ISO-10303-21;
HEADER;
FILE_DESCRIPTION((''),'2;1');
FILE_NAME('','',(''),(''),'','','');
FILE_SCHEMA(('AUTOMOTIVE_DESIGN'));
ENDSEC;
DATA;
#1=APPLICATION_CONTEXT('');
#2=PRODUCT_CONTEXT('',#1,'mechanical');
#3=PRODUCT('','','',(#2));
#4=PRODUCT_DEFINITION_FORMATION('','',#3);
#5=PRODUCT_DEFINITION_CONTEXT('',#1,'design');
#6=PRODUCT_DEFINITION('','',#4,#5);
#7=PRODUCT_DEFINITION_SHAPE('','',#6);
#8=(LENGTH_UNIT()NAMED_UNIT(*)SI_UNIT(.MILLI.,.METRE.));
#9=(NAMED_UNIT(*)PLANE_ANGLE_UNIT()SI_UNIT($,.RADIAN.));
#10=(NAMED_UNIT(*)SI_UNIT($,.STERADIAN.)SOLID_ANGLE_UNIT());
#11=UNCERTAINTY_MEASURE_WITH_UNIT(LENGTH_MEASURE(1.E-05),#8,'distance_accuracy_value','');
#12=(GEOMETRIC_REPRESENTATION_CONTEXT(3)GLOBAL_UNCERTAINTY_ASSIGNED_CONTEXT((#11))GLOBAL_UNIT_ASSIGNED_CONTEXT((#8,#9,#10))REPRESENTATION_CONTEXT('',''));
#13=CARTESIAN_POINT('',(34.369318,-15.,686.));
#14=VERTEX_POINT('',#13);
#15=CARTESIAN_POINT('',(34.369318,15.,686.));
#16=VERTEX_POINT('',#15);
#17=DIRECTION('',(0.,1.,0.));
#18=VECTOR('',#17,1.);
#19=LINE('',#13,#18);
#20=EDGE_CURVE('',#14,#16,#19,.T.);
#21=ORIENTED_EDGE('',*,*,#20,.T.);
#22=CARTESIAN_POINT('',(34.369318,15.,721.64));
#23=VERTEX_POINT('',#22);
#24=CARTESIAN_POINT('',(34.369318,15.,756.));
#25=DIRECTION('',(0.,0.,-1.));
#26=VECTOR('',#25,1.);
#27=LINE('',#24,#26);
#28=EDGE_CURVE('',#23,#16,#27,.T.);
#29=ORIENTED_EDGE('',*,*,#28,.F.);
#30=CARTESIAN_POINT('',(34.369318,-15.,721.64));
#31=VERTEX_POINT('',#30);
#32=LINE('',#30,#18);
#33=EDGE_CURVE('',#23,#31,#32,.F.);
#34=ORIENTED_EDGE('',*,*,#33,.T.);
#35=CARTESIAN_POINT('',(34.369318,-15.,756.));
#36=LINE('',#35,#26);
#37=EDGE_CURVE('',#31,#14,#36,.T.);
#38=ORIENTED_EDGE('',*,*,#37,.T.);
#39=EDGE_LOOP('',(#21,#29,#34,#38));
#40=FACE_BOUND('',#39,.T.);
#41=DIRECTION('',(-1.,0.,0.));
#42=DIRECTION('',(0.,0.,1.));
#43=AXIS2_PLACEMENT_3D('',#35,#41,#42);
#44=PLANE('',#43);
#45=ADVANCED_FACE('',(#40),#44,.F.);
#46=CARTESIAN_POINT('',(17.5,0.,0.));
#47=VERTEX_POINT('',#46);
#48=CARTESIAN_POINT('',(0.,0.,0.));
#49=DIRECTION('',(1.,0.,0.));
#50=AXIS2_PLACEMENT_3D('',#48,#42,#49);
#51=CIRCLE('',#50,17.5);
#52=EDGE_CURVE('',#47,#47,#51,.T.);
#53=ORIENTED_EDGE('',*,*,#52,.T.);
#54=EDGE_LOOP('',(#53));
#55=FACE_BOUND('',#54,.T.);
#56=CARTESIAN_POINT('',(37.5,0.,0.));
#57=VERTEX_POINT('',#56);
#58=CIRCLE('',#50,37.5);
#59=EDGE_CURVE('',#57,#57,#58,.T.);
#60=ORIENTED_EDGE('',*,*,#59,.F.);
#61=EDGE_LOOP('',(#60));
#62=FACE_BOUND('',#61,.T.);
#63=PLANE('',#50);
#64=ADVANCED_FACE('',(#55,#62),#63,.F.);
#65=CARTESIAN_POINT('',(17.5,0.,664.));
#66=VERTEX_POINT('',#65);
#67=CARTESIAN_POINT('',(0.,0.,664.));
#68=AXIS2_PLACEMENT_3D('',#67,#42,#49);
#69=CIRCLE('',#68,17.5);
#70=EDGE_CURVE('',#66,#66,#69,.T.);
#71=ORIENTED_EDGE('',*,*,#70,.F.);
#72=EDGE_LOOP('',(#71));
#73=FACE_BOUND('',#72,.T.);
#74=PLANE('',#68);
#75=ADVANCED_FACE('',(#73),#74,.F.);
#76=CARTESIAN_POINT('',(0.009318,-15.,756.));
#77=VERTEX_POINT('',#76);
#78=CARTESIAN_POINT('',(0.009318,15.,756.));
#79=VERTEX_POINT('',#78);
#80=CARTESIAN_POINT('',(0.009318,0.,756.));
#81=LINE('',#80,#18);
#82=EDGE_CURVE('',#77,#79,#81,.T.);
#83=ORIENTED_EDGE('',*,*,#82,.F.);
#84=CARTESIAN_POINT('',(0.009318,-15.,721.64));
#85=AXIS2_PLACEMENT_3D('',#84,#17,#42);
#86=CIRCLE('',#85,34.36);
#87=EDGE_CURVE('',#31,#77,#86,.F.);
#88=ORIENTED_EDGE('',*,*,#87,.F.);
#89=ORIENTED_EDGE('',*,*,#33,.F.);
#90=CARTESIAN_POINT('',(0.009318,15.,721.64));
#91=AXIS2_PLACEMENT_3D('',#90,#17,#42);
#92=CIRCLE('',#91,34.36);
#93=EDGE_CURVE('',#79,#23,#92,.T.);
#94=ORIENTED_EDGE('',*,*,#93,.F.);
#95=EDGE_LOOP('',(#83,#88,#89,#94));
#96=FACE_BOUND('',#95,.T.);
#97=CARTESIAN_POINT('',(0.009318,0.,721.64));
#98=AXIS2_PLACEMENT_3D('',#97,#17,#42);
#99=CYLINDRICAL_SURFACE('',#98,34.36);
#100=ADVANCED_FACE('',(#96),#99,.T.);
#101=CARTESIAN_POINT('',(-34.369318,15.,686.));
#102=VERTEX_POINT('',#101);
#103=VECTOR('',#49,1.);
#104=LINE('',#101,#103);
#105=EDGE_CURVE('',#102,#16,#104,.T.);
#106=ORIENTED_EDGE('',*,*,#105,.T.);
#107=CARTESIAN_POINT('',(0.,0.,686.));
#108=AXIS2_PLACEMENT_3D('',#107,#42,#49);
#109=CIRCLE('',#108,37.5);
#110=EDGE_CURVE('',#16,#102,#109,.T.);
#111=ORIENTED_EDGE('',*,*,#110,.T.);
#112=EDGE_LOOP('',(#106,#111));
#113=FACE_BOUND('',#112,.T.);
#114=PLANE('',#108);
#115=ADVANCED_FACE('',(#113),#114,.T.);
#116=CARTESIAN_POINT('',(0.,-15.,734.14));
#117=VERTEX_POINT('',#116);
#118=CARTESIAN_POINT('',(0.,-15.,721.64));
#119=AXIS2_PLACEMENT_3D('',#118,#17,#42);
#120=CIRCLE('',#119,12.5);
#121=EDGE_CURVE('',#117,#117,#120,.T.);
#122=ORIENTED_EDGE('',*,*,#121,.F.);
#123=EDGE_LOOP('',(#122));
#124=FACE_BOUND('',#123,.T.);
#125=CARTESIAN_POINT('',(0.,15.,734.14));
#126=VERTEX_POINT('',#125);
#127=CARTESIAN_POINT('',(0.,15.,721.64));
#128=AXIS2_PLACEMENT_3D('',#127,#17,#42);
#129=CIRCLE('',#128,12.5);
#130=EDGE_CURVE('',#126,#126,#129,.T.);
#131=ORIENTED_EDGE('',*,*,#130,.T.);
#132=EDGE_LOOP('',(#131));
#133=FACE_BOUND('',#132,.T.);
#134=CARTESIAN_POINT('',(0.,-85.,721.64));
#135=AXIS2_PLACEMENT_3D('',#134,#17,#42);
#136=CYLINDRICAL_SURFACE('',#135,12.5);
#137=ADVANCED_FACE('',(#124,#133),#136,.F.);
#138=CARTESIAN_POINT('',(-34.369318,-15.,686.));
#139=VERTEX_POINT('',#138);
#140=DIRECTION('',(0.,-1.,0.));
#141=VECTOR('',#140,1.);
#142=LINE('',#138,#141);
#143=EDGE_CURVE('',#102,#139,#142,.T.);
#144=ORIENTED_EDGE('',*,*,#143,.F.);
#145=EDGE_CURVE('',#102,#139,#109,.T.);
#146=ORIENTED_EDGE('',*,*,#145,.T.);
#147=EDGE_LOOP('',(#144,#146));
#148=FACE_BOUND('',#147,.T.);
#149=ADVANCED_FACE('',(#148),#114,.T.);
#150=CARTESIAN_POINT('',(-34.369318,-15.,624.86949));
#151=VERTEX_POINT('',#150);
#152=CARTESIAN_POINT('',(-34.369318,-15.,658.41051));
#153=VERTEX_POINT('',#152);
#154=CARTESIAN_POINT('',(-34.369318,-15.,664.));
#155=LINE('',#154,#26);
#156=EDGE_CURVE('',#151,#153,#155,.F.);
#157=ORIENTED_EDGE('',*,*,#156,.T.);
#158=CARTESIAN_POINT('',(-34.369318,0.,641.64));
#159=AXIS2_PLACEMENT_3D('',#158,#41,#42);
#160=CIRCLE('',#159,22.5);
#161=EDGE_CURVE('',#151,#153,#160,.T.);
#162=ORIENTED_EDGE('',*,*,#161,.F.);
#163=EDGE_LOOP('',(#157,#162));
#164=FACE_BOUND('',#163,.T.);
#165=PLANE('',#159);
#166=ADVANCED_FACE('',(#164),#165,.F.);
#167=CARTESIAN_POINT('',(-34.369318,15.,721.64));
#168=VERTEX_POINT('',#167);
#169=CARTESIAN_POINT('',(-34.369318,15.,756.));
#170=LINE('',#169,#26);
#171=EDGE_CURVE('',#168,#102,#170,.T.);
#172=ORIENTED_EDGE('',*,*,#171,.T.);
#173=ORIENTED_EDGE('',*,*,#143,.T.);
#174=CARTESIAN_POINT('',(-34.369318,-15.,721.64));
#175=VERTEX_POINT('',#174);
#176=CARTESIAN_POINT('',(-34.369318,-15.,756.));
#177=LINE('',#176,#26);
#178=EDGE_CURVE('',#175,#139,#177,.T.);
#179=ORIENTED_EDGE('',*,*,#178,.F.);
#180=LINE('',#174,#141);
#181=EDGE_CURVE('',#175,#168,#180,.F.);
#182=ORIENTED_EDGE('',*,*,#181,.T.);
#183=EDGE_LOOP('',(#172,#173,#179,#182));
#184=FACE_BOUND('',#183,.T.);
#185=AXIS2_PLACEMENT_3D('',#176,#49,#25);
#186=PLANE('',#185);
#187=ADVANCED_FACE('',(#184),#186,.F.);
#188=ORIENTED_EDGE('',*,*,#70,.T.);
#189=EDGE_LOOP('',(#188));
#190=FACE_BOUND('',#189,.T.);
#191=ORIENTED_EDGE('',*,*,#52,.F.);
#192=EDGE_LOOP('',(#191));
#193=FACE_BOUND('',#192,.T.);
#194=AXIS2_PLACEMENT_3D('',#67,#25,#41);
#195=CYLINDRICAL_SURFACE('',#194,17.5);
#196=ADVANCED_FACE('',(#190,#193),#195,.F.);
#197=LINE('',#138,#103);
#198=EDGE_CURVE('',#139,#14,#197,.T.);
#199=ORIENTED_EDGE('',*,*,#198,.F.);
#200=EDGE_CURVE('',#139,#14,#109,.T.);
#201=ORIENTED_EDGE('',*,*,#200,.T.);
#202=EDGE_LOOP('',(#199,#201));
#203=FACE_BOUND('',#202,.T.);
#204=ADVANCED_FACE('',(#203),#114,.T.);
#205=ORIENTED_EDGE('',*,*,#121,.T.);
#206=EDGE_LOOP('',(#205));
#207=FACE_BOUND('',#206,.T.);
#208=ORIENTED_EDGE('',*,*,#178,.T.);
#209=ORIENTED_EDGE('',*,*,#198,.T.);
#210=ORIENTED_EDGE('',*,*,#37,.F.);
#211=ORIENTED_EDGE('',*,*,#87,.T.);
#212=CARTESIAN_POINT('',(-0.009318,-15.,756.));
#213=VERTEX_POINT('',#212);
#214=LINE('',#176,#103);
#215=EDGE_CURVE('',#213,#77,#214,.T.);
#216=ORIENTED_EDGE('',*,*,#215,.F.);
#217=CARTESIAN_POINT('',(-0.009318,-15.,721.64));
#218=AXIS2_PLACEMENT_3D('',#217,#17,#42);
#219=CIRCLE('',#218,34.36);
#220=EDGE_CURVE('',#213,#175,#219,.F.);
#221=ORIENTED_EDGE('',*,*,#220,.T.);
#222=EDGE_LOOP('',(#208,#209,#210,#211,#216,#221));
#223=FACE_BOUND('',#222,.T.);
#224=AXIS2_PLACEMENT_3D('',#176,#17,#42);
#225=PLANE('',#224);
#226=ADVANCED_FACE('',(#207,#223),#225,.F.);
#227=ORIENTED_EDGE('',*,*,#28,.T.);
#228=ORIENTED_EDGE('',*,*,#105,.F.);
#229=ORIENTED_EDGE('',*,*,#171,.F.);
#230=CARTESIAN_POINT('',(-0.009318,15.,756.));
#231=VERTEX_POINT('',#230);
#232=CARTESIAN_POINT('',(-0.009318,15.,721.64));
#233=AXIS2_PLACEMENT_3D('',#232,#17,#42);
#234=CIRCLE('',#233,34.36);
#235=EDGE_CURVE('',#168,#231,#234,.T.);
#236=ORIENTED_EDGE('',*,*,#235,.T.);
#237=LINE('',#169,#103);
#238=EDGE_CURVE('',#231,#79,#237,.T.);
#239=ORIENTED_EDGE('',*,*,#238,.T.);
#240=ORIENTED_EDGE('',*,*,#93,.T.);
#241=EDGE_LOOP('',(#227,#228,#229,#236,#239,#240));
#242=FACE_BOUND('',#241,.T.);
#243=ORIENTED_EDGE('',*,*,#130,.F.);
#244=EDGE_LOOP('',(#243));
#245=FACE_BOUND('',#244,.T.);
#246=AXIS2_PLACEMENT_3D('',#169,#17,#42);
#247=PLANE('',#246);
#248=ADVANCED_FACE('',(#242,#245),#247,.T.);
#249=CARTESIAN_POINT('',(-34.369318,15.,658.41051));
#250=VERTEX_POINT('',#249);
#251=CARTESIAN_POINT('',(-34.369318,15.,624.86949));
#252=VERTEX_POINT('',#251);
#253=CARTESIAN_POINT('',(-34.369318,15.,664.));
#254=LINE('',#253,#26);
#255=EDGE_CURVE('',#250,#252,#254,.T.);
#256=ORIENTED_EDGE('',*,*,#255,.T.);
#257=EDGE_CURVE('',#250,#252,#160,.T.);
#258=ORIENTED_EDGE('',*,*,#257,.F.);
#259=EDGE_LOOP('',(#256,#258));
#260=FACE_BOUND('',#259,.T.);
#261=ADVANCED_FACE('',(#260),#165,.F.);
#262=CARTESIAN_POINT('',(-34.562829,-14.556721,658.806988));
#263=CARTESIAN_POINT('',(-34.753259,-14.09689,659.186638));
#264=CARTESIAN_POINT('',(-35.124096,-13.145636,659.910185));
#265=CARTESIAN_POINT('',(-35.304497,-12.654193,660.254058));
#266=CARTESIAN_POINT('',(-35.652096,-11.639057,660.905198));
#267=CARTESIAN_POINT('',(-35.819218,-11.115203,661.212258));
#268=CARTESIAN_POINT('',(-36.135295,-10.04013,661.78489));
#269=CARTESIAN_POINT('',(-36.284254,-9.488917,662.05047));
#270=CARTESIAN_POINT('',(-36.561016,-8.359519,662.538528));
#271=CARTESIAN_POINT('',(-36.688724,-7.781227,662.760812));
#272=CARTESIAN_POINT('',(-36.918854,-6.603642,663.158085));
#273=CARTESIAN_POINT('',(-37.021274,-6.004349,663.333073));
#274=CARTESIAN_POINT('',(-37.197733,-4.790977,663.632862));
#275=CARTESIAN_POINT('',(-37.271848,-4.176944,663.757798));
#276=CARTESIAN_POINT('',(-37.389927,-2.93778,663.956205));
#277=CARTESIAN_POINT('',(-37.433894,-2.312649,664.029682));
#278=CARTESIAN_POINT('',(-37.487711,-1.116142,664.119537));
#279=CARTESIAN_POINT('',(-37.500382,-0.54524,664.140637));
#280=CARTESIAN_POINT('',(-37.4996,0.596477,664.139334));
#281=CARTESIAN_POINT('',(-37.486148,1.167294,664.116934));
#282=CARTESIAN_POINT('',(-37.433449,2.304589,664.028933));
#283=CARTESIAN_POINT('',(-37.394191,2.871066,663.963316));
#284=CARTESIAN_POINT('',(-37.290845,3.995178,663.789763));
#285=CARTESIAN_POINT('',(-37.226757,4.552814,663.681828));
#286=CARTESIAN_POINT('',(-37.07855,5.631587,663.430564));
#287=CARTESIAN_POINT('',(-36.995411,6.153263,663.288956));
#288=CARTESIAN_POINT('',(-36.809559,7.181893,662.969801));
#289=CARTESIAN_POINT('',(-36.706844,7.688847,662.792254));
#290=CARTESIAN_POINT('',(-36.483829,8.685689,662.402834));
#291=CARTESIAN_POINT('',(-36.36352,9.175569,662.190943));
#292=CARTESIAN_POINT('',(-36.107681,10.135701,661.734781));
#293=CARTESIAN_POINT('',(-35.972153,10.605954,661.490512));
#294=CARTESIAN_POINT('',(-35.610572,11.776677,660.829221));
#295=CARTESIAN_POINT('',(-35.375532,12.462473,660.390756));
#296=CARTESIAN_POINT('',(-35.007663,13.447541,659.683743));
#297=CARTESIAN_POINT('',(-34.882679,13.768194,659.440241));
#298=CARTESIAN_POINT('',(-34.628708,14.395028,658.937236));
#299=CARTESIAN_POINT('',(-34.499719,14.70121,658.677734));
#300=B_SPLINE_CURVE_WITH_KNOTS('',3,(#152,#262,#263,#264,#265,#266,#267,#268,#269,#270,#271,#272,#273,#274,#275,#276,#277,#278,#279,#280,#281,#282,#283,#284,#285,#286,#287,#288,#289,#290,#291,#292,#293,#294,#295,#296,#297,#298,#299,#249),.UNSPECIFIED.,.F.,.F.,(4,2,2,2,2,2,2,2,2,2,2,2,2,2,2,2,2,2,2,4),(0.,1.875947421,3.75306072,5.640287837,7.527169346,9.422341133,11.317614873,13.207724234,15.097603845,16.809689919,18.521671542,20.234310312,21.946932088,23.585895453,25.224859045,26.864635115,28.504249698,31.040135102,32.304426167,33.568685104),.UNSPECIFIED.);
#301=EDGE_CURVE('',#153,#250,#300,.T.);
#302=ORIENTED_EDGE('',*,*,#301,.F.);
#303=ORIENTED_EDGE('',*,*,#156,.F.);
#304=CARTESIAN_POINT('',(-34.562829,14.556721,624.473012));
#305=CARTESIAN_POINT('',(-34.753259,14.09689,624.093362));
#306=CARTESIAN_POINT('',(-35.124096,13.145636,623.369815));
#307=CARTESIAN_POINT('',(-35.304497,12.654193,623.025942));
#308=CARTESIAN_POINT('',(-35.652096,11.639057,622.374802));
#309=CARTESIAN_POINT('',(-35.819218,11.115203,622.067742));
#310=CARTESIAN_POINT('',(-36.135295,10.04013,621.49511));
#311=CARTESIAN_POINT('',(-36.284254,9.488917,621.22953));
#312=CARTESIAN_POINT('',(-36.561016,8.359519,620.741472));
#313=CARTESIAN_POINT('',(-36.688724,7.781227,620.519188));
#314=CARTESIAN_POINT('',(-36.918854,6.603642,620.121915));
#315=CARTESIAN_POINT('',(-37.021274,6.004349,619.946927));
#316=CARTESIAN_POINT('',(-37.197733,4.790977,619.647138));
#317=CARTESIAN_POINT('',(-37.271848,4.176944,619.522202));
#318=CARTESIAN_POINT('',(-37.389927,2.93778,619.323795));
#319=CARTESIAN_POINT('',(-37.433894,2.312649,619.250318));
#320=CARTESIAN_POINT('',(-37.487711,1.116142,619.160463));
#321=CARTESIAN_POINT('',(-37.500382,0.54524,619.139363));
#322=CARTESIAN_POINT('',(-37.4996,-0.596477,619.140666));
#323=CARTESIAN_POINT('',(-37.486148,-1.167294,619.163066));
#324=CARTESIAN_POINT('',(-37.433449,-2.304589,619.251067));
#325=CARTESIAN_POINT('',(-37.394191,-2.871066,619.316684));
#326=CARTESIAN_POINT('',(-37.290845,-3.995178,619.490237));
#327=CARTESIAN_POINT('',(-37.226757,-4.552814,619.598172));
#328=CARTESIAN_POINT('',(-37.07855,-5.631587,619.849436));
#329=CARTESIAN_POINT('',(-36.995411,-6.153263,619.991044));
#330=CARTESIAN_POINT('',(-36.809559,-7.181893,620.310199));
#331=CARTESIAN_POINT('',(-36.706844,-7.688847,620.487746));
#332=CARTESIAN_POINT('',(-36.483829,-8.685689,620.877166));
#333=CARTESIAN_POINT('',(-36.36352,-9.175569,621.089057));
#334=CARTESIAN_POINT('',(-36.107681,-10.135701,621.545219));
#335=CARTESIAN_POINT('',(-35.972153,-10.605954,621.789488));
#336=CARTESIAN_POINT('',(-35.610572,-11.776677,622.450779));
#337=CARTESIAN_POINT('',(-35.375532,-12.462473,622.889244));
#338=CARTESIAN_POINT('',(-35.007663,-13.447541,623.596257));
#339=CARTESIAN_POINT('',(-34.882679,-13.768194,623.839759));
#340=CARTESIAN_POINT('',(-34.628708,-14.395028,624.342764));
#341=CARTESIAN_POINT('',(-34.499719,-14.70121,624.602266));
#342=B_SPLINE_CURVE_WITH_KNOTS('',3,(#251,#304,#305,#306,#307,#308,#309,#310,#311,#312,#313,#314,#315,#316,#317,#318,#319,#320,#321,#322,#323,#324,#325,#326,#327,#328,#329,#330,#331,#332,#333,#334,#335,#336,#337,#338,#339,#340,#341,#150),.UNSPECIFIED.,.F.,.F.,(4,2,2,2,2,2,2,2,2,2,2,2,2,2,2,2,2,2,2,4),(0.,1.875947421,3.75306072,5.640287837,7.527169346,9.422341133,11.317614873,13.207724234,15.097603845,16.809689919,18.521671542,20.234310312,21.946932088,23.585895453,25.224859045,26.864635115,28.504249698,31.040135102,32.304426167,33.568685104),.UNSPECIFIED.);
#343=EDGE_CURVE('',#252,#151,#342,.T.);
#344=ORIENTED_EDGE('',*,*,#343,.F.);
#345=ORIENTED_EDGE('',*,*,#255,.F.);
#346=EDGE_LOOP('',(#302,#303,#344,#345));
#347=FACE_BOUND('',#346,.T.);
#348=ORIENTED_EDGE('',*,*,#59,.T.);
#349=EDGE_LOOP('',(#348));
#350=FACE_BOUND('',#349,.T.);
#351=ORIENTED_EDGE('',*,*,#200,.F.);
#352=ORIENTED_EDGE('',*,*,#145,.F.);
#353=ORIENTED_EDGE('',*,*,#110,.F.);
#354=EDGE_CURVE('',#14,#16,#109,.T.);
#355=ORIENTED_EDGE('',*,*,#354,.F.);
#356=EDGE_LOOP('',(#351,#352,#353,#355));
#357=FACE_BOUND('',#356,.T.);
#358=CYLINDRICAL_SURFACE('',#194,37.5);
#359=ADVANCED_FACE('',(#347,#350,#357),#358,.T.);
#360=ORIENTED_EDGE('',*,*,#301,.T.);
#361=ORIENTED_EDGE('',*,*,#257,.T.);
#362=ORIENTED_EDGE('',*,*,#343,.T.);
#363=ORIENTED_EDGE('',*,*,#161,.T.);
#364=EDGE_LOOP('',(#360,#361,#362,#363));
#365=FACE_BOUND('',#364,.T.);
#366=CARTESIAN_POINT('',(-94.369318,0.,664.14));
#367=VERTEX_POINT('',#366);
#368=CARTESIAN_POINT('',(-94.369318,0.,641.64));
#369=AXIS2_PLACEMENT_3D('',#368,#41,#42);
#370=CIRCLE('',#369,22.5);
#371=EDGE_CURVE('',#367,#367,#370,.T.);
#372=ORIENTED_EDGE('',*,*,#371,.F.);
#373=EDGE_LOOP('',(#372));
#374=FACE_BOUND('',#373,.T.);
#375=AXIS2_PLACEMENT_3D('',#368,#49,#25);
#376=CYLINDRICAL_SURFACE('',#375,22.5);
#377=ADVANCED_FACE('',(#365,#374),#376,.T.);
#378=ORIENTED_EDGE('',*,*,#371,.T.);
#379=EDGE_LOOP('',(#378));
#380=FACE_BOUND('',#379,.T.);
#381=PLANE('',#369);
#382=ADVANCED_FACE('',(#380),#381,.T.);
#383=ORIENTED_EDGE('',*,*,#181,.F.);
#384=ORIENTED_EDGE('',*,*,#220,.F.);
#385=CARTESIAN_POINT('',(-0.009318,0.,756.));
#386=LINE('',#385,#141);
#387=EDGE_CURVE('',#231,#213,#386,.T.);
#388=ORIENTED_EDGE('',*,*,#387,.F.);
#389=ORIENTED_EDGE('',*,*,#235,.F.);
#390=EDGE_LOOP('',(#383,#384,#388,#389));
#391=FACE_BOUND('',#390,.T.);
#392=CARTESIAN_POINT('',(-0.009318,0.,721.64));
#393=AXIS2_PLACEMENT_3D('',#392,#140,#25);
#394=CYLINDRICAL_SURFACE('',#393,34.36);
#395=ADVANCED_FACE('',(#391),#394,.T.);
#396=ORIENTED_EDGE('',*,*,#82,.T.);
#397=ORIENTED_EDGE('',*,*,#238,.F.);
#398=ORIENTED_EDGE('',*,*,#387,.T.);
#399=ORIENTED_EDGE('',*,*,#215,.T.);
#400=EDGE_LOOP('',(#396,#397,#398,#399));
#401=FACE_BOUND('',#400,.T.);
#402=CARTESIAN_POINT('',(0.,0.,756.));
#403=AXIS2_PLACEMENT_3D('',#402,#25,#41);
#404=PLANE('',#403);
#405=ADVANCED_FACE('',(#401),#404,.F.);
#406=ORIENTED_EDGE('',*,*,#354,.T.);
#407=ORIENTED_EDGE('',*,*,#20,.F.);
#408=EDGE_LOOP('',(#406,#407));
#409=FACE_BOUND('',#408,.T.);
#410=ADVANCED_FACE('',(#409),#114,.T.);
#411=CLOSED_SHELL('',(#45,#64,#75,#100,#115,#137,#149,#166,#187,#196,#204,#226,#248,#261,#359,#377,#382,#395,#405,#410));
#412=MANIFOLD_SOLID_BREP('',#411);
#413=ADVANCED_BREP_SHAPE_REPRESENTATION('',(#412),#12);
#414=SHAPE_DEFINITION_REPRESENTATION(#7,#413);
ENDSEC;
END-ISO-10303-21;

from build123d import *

# Parameters (mm, degrees)
SKETCH1_R           = 37.5
SKETCH1_R_2         = 17.5
BOSS_EXTRUDE1_DEPTH = 664
SKETCH5_R           = 37.5
BOSS_EXTRUDE2_DEPTH = 22
SKETCH8_W           = 68.738635424
SKETCH8_H           = 15
BOSS_EXTRUDE3_DEPTH = 70
FILLET1_R           = 34.36
SKETCH9_R           = 12.5
CUT_EXTRUDE1_DEPTH  = 100
SKETCH10_R          = 22.5
BOSS_EXTRUDE4_DEPTH = 60


with BuildPart() as part:
    # Sketch1 → Boss-Extrude1 (new body)
    with BuildSketch(Plane.XY):
        Circle(SKETCH1_R)
        Circle(SKETCH1_R_2, mode=Mode.SUBTRACT)
    extrude(amount=BOSS_EXTRUDE1_DEPTH)

    # Sketch5 → Boss-Extrude2 (add)
    with BuildSketch(Plane.XY.offset(664)):
        Circle(SKETCH5_R)
    extrude(amount=BOSS_EXTRUDE2_DEPTH)

    # Sketch8 → Boss-Extrude3 (add)
    with BuildSketch(Plane.XY.offset(686)):
        with Locations((0, -7.5)):
            Rectangle(SKETCH8_W, SKETCH8_H)
    boss_extrude3 = extrude(amount=BOSS_EXTRUDE3_DEPTH)

    # Mirror1: Boss-Extrude3 across plane
    add(boss_extrude3.mirror(Plane(origin=(-34.369317712, 0, 756), x_dir=(0, 0, 1), z_dir=(0, -1, 0))))

    # Fillet1
    fillet1_edges = [part.edges().sort_by_distance(p)[0] for p in [
        (-34.369317712, 0, 756),
        (34.369317712, 0, 756),
    ]]
    fillet(fillet1_edges, radius=FILLET1_R)

    # Sketch9 → Cut-Extrude1 (cut, symmetric)
    with BuildSketch(Plane(origin=(0, 15, 0), x_dir=(1, 0, 0), z_dir=(0, 1, 0))):
        with Locations((0, -721.64)):
            Circle(SKETCH9_R)
    extrude(amount=CUT_EXTRUDE1_DEPTH, both=True, mode=Mode.SUBTRACT)

    # Sketch10 → Boss-Extrude4 (add)
    with BuildSketch(Plane.ZY.offset(34.369317712)):
        with Locations((641.64, 0)):
            Circle(SKETCH10_R)
    extrude(amount=BOSS_EXTRUDE4_DEPTH)


solid = part.part
